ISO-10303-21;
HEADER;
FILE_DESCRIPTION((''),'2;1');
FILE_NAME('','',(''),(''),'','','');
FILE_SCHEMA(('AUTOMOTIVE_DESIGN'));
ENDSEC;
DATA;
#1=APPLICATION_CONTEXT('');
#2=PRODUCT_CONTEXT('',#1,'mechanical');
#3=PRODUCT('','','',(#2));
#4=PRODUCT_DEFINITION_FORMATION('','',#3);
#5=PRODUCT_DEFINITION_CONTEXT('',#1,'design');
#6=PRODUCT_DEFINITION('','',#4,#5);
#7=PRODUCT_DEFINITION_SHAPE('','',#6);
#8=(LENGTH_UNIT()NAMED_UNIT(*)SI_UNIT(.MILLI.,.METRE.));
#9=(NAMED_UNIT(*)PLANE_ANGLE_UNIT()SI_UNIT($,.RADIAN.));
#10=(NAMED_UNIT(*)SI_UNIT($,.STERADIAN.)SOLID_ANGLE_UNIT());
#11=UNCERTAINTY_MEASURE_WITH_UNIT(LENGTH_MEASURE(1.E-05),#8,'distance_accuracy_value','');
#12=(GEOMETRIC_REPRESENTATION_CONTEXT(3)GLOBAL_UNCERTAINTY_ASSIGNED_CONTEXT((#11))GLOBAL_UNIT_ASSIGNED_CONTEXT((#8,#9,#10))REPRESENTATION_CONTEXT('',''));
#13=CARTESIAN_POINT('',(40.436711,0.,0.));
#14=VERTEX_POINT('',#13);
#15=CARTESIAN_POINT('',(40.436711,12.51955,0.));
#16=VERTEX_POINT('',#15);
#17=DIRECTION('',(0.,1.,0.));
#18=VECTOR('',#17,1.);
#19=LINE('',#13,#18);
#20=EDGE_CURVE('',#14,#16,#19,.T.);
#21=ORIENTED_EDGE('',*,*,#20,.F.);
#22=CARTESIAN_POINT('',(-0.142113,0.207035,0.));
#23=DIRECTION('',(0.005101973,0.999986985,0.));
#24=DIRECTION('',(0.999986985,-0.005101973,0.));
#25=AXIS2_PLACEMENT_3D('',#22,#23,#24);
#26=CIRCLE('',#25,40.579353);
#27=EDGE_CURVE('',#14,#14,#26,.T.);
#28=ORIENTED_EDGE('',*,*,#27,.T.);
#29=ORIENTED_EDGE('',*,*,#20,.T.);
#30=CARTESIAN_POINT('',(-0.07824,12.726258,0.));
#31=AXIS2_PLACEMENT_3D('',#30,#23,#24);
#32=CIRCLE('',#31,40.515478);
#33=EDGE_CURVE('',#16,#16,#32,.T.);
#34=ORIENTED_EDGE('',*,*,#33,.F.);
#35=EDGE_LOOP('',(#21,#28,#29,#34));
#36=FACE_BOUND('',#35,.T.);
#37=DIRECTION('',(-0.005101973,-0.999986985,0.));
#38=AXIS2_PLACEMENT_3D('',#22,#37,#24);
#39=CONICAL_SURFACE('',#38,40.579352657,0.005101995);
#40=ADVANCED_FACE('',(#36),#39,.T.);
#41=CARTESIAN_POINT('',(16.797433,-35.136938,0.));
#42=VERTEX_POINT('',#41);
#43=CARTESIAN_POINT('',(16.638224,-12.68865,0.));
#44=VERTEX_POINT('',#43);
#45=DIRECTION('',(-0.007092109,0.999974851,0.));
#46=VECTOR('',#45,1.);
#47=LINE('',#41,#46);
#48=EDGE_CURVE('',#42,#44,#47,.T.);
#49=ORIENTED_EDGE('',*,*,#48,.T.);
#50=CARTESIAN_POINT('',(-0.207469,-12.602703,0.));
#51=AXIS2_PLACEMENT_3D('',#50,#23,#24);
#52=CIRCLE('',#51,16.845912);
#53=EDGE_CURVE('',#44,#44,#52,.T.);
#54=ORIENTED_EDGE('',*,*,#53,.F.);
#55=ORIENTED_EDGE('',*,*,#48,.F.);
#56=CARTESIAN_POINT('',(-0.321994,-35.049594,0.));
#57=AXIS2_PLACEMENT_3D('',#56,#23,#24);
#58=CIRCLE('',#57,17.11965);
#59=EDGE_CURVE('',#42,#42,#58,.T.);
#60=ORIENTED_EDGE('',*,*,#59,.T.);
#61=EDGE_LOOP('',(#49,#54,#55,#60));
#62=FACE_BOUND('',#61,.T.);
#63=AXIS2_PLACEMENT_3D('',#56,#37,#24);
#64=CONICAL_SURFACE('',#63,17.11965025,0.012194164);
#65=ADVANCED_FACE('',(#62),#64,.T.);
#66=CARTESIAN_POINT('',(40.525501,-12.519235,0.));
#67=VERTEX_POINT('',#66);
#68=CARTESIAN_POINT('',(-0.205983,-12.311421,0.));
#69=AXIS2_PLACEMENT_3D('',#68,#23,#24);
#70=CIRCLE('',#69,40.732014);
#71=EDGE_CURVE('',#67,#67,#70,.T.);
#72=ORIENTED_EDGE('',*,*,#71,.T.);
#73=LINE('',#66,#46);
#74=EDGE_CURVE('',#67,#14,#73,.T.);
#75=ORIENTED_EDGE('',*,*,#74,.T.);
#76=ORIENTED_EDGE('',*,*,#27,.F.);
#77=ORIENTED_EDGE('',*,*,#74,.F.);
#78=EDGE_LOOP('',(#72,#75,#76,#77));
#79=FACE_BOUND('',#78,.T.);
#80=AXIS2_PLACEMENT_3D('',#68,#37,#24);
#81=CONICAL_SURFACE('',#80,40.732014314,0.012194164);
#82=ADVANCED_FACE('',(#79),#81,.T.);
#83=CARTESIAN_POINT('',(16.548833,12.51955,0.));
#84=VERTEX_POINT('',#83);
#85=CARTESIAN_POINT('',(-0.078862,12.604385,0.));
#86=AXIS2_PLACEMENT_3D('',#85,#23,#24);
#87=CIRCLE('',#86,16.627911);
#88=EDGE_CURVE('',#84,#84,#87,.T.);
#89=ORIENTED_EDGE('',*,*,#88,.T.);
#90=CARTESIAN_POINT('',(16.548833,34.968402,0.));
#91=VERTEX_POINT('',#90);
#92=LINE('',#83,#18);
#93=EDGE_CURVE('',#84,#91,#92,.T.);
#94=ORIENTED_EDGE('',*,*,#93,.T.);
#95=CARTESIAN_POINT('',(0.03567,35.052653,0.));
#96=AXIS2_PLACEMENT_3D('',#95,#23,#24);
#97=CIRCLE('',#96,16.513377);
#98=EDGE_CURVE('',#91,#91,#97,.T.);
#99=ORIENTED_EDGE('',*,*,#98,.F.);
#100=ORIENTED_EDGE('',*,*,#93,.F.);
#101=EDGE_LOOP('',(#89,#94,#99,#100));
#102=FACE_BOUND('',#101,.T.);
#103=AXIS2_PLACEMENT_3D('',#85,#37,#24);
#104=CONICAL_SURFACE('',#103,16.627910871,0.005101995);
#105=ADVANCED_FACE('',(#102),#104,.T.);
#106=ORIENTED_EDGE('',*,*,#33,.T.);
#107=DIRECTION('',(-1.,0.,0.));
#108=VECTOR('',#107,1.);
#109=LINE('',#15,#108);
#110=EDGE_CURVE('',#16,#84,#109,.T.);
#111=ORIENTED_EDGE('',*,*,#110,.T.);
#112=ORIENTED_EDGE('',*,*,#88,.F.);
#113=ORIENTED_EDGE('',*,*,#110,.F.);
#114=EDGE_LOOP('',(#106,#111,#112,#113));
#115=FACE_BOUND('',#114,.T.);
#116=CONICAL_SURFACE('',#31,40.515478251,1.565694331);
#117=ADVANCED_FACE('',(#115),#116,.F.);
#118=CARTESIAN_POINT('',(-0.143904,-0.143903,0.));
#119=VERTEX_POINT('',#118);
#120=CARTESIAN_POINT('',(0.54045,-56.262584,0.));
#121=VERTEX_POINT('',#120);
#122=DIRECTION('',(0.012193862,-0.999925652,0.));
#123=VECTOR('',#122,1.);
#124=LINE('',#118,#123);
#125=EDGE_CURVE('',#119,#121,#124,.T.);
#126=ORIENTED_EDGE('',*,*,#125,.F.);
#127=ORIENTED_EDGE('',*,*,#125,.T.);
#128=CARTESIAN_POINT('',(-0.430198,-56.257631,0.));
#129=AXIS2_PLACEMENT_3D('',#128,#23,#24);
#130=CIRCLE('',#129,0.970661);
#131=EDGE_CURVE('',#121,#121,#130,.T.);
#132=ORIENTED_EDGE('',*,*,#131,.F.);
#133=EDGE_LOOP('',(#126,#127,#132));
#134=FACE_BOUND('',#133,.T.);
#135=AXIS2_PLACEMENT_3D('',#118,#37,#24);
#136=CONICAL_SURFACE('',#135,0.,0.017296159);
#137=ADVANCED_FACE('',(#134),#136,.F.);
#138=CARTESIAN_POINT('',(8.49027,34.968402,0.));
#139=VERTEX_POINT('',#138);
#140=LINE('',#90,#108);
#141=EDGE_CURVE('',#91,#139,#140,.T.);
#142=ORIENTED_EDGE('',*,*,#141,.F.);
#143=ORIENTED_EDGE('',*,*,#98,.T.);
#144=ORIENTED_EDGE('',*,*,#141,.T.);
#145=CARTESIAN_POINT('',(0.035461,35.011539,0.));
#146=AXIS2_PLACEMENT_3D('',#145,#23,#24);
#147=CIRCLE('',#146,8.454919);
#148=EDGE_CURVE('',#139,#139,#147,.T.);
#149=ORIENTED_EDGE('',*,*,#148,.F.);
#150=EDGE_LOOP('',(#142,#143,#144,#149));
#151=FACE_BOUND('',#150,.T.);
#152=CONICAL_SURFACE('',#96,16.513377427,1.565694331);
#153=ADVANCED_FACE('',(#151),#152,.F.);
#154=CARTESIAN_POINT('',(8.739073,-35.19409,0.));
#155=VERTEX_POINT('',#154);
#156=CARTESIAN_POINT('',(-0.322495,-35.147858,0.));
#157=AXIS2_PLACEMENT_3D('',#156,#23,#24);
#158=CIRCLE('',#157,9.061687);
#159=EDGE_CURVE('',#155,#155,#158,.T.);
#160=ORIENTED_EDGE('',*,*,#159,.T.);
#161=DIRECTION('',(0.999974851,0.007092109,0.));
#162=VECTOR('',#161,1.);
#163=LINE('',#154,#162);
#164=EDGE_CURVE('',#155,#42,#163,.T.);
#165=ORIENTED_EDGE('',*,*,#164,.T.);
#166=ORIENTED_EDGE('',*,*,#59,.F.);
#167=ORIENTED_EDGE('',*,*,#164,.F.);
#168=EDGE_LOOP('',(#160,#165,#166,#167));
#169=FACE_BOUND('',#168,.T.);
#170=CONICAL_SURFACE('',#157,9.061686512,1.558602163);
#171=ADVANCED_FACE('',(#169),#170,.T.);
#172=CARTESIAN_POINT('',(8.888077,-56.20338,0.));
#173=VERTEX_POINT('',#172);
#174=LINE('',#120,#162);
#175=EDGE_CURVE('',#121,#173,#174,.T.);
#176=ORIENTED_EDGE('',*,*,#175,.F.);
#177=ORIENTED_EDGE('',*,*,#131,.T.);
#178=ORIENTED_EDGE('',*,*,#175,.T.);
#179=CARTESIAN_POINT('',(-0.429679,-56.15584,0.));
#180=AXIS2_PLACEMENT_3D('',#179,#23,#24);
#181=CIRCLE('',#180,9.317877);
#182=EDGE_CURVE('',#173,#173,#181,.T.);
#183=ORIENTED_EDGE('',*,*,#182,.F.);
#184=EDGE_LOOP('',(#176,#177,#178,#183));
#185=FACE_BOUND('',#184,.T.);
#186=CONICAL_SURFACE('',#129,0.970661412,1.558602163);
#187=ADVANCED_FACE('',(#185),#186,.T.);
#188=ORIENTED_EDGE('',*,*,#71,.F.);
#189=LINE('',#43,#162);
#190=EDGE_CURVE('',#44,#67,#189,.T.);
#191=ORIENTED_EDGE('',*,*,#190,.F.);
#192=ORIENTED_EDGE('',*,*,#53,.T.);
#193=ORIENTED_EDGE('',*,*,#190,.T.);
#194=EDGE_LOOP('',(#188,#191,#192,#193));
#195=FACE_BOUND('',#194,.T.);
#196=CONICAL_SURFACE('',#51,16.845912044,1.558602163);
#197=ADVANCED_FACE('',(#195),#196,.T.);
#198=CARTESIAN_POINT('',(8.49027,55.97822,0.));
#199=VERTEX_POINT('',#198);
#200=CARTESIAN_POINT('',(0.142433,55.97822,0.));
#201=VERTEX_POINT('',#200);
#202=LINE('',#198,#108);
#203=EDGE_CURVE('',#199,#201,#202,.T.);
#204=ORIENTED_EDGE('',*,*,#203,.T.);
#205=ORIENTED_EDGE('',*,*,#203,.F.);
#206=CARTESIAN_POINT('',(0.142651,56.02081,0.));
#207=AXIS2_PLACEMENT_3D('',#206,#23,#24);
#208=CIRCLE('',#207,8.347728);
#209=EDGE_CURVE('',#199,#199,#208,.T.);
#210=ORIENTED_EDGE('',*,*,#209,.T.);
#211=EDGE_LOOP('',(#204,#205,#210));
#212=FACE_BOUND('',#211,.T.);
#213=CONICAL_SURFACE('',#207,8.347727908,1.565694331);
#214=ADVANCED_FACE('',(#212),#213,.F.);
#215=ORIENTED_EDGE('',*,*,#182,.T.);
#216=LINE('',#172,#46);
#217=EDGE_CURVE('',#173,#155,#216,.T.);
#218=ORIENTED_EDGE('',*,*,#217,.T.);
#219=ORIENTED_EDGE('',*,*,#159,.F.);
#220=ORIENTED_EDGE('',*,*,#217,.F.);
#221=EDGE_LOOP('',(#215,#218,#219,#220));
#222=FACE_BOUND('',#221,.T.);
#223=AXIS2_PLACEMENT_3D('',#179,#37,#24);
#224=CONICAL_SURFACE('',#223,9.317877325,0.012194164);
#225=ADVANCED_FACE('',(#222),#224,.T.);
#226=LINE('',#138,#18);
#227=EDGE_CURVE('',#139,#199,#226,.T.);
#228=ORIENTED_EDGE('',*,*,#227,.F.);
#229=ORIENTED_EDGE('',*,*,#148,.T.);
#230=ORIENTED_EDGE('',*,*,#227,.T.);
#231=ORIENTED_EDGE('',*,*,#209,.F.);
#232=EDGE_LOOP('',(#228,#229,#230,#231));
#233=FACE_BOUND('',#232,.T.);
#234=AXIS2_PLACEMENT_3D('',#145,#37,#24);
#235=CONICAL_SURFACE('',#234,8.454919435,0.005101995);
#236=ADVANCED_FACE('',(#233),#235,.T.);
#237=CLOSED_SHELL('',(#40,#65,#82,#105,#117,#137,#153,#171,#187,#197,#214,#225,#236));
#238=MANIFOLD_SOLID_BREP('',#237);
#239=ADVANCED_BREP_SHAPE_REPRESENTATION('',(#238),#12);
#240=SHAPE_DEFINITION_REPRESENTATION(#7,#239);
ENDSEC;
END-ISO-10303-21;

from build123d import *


with BuildPart() as f1:
    # F0 (on Top) → F1 (revolve)
    with BuildSketch(Plane.XY):
        Polygon((8.4902700037, 55.9782199562), (0.1424334466, 55.9782199562), (-0.143903846, -0.1439028856), (0.540450468, -56.2625835587), (8.8880770826, -56.2033797904), (8.7390731615, -35.1940904536), (16.7974333689, -35.1369382459), (16.6382236549, -12.6886501611), (40.5255011748, -12.5192347202), (40.4367111623, 0), (40.4367111623, 12.5195495784), (16.5488328785, 12.5195495784), (16.5488328785, 34.9684022367), (8.4902700037, 34.9684022367), align=None)
    revolve(axis=Axis((-1.0041e-06, 28.0610609116, 0), (0.0051019732, 0.9999869849, 0)))


solid = f1.part
